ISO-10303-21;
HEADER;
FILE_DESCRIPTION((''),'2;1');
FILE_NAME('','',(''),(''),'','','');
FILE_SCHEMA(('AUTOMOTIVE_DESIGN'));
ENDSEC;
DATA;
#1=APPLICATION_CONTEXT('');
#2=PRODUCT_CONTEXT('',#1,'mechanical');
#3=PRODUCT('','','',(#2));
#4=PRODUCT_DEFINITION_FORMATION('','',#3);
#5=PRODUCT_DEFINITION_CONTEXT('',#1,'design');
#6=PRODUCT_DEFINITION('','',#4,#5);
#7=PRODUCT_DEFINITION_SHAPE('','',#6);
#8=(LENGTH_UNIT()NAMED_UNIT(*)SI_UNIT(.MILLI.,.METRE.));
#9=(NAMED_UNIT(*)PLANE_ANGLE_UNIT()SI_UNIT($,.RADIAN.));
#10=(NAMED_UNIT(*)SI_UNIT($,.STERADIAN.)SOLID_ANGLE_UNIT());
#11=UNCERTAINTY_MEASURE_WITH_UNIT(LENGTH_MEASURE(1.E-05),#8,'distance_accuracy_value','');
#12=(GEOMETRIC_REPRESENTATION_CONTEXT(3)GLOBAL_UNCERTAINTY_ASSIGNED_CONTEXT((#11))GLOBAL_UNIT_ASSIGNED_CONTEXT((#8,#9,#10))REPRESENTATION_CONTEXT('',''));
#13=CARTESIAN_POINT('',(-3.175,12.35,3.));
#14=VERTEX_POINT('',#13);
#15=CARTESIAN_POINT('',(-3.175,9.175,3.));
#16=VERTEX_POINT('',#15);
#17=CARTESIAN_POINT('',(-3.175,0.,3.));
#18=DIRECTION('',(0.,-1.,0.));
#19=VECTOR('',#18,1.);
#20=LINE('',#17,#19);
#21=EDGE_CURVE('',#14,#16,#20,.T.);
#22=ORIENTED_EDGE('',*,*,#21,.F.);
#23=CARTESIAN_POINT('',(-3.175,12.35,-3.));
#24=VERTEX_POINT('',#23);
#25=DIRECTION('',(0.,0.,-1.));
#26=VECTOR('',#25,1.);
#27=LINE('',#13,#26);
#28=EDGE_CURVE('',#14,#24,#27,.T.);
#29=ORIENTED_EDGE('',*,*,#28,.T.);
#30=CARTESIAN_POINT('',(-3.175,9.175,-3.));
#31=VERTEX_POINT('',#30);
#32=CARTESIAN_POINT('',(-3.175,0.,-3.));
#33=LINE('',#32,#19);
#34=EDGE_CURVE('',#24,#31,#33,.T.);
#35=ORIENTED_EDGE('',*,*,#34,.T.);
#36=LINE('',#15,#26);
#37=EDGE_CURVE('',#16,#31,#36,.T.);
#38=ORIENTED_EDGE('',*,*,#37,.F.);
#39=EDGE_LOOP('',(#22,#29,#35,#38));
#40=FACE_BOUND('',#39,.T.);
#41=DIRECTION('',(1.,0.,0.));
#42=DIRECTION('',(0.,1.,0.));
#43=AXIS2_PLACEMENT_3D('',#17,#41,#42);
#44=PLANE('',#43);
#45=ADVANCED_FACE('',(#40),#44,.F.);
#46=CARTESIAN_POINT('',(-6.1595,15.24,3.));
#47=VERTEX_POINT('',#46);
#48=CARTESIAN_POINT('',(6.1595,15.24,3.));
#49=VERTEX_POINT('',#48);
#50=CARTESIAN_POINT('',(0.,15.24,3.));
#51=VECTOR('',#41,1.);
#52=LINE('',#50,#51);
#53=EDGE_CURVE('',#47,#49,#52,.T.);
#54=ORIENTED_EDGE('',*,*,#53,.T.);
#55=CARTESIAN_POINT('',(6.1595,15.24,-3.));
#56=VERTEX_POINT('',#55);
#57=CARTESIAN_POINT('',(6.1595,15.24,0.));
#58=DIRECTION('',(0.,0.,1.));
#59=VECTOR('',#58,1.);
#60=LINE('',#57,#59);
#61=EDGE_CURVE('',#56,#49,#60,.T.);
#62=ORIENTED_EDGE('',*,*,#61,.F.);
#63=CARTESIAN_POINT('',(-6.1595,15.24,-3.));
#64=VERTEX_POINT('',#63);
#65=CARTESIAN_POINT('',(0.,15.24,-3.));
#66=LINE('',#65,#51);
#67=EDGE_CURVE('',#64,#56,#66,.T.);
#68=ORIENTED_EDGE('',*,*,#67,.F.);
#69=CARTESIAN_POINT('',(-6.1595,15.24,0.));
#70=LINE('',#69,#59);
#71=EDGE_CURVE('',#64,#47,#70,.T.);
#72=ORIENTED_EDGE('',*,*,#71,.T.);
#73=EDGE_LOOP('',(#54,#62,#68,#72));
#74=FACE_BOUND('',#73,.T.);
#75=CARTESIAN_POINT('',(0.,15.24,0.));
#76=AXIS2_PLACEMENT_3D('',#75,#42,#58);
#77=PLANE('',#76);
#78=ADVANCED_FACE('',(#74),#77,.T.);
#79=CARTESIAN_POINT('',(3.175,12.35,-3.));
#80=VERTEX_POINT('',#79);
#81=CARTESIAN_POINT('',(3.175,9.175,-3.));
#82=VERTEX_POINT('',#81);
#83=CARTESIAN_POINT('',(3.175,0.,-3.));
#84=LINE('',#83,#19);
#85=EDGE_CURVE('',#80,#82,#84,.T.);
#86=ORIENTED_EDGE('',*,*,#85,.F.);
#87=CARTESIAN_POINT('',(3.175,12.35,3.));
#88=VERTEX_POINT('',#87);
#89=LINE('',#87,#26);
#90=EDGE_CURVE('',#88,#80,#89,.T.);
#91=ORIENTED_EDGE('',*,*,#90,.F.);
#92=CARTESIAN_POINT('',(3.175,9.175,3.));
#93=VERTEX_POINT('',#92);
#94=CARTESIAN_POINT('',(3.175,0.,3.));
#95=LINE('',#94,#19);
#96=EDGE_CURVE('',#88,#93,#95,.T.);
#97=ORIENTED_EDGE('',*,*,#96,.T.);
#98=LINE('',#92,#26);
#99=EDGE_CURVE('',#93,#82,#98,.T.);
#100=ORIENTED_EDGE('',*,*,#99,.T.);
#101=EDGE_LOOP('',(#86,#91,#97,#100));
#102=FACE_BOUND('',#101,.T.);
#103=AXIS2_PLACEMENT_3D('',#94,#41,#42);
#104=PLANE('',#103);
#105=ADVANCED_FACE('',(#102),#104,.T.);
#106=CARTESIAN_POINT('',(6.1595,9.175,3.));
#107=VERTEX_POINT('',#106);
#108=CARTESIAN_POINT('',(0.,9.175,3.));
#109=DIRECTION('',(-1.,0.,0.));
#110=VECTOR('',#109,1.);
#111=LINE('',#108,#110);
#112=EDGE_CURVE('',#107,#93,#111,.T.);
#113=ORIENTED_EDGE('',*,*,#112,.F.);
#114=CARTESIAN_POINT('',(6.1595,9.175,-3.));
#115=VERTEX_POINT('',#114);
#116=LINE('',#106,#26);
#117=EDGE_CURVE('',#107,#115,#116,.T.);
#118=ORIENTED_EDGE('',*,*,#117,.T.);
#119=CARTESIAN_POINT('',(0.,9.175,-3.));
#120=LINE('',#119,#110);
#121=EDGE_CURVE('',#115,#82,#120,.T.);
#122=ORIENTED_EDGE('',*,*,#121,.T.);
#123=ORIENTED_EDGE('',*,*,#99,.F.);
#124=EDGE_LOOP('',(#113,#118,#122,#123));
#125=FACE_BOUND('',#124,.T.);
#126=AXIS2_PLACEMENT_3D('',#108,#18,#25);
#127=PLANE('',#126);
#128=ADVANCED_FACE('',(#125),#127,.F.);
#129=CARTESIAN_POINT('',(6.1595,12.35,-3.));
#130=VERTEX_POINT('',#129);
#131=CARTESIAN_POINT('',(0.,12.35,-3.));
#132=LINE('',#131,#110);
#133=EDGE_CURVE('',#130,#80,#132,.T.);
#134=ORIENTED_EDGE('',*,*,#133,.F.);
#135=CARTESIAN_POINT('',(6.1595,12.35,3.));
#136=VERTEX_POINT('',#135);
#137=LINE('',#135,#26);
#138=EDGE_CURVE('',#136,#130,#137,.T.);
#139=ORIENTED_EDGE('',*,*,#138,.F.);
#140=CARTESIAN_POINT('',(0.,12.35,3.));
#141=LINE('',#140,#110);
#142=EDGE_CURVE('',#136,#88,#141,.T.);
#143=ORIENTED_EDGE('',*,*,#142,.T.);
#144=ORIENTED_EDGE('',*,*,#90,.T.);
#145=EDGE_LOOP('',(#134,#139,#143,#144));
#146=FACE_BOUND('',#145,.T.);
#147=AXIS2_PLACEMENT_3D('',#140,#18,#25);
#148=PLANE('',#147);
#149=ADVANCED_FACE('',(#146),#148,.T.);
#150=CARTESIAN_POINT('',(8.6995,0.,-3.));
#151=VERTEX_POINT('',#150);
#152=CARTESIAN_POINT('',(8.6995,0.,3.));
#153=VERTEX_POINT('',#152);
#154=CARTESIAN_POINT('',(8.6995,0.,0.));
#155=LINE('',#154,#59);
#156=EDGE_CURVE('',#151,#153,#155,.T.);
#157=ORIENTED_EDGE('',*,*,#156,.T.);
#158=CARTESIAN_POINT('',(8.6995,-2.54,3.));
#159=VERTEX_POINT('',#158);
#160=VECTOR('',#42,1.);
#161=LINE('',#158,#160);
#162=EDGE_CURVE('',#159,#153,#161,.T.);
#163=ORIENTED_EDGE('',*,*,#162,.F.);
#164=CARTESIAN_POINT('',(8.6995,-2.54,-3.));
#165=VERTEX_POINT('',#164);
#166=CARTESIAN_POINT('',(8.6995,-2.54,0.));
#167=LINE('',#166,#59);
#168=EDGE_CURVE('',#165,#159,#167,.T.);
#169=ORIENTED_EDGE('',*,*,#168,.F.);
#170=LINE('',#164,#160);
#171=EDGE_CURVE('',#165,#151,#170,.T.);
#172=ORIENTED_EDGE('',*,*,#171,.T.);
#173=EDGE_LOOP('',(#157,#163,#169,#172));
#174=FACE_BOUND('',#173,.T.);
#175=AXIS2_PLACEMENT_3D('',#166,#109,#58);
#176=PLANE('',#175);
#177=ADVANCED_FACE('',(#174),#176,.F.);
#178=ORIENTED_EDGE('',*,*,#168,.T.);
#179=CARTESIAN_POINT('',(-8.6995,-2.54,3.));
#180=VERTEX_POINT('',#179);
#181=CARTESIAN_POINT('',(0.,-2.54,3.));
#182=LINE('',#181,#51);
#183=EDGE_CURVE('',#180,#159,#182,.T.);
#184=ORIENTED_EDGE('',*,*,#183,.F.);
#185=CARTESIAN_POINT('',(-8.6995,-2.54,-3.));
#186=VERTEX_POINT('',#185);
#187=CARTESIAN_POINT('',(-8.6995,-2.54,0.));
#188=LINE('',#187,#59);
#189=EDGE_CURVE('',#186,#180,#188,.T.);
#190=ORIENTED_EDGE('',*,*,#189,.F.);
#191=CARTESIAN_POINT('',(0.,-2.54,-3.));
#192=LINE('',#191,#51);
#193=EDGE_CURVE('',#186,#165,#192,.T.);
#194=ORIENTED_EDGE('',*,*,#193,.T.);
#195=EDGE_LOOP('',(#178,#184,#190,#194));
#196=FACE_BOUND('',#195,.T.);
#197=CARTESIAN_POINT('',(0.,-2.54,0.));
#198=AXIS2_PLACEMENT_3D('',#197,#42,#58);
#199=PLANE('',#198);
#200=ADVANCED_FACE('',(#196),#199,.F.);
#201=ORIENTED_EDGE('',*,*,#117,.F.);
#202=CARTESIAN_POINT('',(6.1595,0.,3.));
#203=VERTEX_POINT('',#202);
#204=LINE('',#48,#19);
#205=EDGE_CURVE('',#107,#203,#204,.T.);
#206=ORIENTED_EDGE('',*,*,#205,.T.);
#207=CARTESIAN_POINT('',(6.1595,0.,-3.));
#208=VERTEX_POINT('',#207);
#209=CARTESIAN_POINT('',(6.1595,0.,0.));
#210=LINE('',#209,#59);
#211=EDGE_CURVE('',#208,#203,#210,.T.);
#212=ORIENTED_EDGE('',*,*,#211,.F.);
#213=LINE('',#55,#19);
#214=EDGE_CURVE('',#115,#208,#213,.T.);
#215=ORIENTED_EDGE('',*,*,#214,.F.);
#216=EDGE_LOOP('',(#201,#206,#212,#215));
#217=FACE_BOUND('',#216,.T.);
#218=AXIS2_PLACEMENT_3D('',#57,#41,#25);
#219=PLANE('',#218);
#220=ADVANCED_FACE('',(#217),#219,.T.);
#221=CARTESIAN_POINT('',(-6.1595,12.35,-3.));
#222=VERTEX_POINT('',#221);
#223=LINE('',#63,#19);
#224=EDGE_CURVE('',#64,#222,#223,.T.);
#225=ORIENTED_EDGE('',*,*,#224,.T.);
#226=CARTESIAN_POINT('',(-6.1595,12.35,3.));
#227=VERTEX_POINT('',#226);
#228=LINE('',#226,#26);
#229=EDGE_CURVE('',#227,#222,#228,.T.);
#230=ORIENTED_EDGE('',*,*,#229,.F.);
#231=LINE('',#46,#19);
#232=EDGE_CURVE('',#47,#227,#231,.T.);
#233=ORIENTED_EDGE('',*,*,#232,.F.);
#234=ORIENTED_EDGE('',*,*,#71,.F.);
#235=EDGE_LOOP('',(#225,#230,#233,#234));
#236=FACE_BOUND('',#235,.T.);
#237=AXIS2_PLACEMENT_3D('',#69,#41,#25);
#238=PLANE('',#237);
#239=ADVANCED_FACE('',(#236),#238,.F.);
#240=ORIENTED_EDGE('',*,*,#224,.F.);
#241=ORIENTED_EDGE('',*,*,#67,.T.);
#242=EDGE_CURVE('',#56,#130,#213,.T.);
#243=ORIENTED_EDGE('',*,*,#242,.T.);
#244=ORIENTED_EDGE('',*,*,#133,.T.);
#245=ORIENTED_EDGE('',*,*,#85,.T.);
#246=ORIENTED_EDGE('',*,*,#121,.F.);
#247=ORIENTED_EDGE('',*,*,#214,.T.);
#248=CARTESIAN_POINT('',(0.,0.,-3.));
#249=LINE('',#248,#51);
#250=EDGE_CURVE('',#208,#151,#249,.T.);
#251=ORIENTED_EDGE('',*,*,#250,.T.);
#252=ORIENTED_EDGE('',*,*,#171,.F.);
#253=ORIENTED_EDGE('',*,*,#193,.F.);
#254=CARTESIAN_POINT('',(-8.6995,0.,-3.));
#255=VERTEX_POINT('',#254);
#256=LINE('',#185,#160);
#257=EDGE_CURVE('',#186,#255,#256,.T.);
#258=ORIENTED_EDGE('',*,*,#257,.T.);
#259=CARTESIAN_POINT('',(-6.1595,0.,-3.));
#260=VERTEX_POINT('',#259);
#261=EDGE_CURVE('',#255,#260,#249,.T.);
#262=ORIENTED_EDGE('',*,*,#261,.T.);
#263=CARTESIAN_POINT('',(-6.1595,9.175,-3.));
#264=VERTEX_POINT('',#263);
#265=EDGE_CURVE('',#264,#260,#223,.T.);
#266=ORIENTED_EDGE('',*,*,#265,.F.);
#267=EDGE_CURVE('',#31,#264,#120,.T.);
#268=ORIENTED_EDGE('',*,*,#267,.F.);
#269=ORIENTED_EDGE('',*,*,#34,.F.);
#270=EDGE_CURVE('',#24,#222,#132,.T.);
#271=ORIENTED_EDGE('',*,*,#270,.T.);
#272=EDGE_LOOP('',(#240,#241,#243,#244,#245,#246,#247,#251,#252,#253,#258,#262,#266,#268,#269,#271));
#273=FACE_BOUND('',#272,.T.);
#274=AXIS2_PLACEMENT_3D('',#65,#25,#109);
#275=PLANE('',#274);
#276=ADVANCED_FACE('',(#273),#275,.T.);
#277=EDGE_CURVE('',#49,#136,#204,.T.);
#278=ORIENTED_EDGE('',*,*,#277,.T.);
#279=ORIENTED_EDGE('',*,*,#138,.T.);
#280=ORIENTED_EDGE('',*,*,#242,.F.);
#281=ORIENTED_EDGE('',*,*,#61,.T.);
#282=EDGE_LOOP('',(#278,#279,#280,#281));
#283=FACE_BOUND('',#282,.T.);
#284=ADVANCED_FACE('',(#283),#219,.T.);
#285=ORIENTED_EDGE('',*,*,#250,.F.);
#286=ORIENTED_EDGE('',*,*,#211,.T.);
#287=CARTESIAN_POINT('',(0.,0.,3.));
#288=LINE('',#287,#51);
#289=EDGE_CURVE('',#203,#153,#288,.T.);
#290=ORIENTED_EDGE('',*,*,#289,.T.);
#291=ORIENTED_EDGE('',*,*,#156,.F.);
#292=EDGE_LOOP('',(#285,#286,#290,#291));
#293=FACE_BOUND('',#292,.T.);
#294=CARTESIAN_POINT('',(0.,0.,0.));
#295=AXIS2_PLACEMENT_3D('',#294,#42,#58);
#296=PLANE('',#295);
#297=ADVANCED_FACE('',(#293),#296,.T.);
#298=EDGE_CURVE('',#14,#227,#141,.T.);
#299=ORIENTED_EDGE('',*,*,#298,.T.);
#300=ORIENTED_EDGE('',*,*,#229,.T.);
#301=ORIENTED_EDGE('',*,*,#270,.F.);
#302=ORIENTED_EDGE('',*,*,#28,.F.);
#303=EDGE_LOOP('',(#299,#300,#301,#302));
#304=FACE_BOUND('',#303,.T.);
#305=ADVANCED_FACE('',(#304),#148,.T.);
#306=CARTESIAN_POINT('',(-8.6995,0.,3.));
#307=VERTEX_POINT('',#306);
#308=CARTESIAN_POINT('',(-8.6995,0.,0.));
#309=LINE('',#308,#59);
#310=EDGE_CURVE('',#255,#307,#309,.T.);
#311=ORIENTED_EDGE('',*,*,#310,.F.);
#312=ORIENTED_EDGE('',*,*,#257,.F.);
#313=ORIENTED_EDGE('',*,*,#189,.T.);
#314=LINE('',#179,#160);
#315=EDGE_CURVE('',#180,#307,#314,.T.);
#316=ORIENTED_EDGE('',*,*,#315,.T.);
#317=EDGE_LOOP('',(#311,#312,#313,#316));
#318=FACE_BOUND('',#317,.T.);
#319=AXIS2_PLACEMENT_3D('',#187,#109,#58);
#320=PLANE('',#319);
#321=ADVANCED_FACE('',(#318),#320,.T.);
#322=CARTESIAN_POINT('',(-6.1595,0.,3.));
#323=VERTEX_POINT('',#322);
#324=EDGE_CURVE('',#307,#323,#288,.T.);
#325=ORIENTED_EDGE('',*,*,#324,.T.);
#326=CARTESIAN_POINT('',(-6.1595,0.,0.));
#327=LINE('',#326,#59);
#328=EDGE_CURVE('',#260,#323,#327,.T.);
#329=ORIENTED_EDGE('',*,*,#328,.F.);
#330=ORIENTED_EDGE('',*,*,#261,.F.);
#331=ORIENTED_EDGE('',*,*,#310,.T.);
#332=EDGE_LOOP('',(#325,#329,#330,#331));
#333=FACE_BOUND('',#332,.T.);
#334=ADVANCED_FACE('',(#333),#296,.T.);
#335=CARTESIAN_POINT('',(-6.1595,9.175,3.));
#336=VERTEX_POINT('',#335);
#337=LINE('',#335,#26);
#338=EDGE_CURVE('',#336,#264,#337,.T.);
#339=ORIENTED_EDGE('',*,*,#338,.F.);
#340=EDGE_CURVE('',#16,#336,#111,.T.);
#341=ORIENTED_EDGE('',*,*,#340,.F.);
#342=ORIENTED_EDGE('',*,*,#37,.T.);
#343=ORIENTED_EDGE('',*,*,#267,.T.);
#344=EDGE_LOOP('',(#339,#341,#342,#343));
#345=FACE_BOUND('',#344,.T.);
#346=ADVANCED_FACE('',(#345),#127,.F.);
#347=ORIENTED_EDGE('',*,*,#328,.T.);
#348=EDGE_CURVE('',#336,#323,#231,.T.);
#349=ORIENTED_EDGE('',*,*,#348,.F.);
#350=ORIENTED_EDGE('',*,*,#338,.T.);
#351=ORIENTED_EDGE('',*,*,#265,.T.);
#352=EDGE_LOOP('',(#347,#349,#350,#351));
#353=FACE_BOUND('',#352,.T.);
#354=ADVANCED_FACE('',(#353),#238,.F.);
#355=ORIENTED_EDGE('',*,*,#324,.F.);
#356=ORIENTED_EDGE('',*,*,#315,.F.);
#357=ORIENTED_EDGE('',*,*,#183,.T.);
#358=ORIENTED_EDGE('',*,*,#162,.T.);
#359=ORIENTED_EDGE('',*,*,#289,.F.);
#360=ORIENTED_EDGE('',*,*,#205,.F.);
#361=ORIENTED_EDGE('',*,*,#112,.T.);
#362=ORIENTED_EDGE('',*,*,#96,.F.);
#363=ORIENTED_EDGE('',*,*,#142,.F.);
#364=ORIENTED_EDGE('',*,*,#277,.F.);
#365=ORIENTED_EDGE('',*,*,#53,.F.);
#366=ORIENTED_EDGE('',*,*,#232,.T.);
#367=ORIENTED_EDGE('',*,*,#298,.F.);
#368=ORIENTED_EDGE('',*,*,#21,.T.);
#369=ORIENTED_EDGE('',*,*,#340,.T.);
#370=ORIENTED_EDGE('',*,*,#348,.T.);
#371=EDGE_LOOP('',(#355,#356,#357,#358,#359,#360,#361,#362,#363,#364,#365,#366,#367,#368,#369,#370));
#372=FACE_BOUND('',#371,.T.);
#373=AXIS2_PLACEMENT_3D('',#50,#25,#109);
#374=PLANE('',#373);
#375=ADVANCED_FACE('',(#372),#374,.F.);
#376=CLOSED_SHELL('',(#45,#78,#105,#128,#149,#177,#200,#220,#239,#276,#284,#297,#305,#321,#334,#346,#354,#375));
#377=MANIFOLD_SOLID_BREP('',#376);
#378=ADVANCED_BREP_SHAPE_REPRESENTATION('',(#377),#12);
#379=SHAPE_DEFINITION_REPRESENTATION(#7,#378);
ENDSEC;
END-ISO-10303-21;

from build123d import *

# Parameters (mm, degrees)
SKETCH1_W           = 12.319
SKETCH1_H           = 6
BOSS_EXTRUDE1_DEPTH = 15.24
SKETCH1_3_W         = 17.399
SKETCH1_3_H         = 6
BOSS_EXTRUDE2_DEPTH = 2.54
SKETCH2_W           = 2.9845
SKETCH2_H           = 3.175
CUT_EXTRUDE1_DEPTH  = 19.545589779


with BuildPart() as part:
    # Sketch1 → Boss-Extrude1 (new body)
    with BuildSketch(Plane(origin=(0, 0, 0), x_dir=(1, 0, 0), z_dir=(0, 1, 0))):
        Rectangle(SKETCH1_W, SKETCH1_H)
    extrude(amount=BOSS_EXTRUDE1_DEPTH)

    # Sketch1<3> → Boss-Extrude2 (add)
    with BuildSketch(Plane(origin=(0, 0, 0), x_dir=(1, 0, 0), z_dir=(0, 1, 0))):
        Rectangle(SKETCH1_3_W, SKETCH1_3_H)
    extrude(amount=-BOSS_EXTRUDE2_DEPTH)

    # Sketch2 → Cut-Extrude1 (cut, through all)
    with BuildSketch(Plane(origin=(0, 0, -3), x_dir=(-1, 0, 0), z_dir=(0, 0, -1))):
        with Locations((-4.66725, 10.7625)):
            Rectangle(SKETCH2_W, SKETCH2_H)
        with Locations((4.66725, 10.7625)):
            Rectangle(SKETCH2_W, SKETCH2_H)
    extrude(amount=-CUT_EXTRUDE1_DEPTH, mode=Mode.SUBTRACT)


solid = part.part
